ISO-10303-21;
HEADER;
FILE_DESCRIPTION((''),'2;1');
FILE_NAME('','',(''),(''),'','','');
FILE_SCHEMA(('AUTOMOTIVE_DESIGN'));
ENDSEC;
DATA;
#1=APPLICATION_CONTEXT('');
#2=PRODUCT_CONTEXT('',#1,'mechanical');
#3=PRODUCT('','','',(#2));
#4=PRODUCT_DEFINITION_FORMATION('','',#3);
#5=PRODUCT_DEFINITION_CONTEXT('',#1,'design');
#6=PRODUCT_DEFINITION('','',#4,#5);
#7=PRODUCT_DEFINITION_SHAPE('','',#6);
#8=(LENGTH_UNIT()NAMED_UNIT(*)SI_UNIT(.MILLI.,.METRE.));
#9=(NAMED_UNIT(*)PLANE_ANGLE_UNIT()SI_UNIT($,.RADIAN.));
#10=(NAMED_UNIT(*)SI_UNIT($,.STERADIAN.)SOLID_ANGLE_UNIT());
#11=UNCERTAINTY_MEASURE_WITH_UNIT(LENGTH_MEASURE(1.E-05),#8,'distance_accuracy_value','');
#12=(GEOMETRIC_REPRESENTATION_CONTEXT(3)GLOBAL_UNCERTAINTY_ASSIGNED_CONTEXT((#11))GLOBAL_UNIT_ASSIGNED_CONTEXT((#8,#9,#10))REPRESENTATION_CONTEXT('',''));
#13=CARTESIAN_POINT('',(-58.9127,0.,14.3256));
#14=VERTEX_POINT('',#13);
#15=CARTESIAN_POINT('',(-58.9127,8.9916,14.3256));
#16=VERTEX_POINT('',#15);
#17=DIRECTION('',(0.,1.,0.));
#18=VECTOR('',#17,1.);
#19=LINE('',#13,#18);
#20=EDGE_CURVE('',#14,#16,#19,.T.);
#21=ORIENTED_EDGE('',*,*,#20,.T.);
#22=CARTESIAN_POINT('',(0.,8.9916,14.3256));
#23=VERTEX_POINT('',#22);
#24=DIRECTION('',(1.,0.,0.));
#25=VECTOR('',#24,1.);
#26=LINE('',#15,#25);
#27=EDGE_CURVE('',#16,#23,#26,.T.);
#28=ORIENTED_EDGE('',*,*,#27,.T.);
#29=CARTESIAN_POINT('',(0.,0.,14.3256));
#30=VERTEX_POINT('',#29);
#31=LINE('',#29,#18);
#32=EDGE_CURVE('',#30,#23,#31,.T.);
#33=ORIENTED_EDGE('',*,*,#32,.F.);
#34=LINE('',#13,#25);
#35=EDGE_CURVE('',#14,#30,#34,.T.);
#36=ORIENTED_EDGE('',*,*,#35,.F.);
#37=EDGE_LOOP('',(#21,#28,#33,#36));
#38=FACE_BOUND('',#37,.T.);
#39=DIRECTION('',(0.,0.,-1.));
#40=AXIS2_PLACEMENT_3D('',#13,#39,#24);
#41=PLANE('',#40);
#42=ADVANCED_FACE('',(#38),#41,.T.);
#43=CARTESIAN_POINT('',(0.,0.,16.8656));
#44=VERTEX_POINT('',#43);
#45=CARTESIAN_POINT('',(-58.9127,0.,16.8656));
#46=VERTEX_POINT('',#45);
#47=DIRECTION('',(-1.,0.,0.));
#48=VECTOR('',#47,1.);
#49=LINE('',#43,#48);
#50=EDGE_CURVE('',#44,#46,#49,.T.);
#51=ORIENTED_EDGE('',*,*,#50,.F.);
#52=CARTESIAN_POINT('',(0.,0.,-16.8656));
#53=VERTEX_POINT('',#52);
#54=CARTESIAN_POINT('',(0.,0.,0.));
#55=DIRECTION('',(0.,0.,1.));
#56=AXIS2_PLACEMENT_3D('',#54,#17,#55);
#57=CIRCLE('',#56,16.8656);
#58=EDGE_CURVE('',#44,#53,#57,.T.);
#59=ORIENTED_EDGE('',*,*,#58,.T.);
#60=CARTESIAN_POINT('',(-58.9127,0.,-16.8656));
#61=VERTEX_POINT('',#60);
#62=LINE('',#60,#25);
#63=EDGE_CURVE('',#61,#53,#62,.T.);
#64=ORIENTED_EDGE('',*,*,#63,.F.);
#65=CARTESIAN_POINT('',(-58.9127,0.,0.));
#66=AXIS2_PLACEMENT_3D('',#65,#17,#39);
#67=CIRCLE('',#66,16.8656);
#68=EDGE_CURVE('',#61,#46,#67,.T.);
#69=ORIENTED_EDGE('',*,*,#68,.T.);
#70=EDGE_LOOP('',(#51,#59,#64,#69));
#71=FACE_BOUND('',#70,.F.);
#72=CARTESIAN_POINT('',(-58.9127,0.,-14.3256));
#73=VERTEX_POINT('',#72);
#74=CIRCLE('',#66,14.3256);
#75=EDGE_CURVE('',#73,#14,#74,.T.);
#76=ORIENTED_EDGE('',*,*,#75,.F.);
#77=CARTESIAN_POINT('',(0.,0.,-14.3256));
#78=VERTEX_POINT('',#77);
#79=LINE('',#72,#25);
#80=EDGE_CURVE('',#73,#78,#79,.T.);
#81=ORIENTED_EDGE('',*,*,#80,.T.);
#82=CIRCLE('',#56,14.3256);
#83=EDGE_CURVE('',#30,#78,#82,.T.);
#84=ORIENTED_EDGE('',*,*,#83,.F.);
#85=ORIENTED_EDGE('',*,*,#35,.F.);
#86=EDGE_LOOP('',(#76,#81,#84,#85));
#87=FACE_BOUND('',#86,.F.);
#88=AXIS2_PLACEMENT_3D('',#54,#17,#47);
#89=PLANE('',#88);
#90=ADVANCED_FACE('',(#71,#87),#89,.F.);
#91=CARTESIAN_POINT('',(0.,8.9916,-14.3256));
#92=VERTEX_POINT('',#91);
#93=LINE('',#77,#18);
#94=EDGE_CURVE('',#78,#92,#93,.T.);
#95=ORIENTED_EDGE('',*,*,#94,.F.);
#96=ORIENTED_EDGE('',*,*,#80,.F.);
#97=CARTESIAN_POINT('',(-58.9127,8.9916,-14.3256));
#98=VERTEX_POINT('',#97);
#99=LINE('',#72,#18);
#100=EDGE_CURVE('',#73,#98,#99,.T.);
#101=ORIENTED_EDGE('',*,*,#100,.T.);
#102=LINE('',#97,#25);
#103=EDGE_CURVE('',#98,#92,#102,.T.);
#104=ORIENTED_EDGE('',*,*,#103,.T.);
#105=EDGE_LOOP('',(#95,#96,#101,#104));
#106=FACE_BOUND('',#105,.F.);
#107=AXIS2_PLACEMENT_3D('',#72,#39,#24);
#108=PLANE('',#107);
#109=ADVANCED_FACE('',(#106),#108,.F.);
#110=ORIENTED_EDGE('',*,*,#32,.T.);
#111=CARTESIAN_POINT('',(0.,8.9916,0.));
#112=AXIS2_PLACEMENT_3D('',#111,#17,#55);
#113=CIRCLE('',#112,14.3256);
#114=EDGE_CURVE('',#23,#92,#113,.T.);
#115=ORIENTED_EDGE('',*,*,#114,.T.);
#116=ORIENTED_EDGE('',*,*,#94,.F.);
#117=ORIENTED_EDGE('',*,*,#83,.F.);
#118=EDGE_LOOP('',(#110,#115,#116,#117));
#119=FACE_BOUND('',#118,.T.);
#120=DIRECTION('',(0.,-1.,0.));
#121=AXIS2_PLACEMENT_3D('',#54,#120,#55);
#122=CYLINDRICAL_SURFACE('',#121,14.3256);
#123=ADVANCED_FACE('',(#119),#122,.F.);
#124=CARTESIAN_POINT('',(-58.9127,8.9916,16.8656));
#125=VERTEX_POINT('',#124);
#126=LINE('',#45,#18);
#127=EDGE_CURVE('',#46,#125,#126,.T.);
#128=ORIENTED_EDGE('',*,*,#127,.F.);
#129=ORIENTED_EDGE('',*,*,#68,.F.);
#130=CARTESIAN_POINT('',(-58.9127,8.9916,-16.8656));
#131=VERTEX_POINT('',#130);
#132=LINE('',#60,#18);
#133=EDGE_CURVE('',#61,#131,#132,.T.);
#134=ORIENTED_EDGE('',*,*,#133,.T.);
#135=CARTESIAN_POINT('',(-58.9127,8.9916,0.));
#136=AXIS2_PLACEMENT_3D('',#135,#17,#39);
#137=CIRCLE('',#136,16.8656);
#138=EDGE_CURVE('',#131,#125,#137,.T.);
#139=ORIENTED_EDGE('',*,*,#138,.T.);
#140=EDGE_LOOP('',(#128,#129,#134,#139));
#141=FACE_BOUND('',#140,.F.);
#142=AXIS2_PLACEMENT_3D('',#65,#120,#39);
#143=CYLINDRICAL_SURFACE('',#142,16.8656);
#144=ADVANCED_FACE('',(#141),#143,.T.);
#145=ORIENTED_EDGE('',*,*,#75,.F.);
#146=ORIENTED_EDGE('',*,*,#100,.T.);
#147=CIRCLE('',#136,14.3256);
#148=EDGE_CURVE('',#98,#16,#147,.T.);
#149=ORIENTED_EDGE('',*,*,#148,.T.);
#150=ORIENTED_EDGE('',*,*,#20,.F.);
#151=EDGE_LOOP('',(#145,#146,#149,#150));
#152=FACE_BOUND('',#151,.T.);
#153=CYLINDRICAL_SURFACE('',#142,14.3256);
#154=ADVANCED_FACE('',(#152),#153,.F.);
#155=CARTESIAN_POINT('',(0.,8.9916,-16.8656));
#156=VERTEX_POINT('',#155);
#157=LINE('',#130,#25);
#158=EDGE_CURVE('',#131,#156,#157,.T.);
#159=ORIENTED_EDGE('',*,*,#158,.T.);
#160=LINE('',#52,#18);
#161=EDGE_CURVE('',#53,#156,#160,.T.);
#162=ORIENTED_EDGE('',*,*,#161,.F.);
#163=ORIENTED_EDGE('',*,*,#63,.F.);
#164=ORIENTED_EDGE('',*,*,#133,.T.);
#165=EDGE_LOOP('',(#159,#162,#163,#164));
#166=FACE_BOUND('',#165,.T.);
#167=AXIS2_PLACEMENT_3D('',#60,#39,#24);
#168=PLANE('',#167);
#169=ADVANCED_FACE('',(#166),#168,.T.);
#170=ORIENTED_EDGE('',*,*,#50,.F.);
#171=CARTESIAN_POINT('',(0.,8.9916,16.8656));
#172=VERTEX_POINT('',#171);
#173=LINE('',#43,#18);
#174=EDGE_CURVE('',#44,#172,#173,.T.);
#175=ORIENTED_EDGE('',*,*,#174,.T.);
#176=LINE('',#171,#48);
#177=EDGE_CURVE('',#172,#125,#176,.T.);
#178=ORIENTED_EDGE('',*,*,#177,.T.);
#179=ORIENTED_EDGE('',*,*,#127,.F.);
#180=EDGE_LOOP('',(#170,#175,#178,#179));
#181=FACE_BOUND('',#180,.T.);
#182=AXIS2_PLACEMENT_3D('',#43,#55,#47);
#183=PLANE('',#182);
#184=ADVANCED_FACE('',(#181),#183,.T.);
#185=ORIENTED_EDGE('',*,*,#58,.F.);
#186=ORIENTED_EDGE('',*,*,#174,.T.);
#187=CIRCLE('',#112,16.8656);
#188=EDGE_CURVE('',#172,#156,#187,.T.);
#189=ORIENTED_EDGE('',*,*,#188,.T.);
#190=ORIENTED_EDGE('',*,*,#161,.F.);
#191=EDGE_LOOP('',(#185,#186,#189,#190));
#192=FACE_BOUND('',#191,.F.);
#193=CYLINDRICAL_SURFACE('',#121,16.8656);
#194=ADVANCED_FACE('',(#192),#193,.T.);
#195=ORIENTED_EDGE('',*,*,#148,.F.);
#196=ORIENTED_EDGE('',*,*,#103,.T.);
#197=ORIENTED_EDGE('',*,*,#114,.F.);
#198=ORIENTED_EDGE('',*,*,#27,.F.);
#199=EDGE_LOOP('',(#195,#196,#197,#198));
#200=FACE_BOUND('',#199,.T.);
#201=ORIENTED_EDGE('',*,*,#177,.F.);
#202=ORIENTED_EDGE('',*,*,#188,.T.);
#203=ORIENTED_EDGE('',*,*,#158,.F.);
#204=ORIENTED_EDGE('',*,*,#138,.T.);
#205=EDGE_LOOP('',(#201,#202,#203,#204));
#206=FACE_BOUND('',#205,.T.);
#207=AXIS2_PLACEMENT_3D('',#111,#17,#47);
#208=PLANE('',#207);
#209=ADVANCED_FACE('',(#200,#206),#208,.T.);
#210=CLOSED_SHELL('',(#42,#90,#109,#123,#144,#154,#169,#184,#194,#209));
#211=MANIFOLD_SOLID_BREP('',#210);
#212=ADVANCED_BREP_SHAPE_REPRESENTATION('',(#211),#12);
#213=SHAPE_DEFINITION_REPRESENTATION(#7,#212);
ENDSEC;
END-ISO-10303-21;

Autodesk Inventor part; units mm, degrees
ref_plane "YZ Plane" through (0, 0, 0) normal (1, 0, 0) x (0, 1, 0)
ref_plane "XZ Plane" through (0, 0, 0) normal (0, 1, 0) x (-1, 0, 0)
ref_plane "XY Plane" through (0, 0, 0) normal (0, 0, 1) x (1, 0, 0)
sketch "Sketch1" plane through (0, 0, 0) normal (0, 1, 0) x (-1, 0, 0)
  circle A0 centre (0, 0) radius 14.3256 construction
  line L0 (0, 0) -> (58.9127, 0) construction
  circle A1 centre (58.9127, 0) radius 14.3256 construction
  line L1 (58.9127, 14.3256) -> (0, 14.3256)
  line L2 (58.9127, -14.3256) -> (0, -14.3256)
  arc A2 (58.9127, -14.3256) -> (58.9127, 14.3256) centre (58.9127, 0) ccw
  arc A3 (0, 14.3256) -> (0, -14.3256) centre (0, 0) ccw
  line L3 (0, 16.8656) -> (58.9127, 16.8656)
  arc A4 (58.9127, -16.8656) -> (58.9127, 16.8656) centre (58.9127, 0) ccw
  line L4 (58.9127, -16.8656) -> (0, -16.8656)
  arc A5 (0, 16.8656) -> (0, -16.8656) centre (0, 0) ccw
  dimension "d3" = 28.6512
  dimension "d4" = 58.9127
  dimension "d5" = 28.6512
  dimension "d6" = 2.54
extrude "Extrusion1" add sketch "Sketch1" along normal blind 8.9916
properties part number "INTK_011_Belt3" material "Rubber, Silicone"
